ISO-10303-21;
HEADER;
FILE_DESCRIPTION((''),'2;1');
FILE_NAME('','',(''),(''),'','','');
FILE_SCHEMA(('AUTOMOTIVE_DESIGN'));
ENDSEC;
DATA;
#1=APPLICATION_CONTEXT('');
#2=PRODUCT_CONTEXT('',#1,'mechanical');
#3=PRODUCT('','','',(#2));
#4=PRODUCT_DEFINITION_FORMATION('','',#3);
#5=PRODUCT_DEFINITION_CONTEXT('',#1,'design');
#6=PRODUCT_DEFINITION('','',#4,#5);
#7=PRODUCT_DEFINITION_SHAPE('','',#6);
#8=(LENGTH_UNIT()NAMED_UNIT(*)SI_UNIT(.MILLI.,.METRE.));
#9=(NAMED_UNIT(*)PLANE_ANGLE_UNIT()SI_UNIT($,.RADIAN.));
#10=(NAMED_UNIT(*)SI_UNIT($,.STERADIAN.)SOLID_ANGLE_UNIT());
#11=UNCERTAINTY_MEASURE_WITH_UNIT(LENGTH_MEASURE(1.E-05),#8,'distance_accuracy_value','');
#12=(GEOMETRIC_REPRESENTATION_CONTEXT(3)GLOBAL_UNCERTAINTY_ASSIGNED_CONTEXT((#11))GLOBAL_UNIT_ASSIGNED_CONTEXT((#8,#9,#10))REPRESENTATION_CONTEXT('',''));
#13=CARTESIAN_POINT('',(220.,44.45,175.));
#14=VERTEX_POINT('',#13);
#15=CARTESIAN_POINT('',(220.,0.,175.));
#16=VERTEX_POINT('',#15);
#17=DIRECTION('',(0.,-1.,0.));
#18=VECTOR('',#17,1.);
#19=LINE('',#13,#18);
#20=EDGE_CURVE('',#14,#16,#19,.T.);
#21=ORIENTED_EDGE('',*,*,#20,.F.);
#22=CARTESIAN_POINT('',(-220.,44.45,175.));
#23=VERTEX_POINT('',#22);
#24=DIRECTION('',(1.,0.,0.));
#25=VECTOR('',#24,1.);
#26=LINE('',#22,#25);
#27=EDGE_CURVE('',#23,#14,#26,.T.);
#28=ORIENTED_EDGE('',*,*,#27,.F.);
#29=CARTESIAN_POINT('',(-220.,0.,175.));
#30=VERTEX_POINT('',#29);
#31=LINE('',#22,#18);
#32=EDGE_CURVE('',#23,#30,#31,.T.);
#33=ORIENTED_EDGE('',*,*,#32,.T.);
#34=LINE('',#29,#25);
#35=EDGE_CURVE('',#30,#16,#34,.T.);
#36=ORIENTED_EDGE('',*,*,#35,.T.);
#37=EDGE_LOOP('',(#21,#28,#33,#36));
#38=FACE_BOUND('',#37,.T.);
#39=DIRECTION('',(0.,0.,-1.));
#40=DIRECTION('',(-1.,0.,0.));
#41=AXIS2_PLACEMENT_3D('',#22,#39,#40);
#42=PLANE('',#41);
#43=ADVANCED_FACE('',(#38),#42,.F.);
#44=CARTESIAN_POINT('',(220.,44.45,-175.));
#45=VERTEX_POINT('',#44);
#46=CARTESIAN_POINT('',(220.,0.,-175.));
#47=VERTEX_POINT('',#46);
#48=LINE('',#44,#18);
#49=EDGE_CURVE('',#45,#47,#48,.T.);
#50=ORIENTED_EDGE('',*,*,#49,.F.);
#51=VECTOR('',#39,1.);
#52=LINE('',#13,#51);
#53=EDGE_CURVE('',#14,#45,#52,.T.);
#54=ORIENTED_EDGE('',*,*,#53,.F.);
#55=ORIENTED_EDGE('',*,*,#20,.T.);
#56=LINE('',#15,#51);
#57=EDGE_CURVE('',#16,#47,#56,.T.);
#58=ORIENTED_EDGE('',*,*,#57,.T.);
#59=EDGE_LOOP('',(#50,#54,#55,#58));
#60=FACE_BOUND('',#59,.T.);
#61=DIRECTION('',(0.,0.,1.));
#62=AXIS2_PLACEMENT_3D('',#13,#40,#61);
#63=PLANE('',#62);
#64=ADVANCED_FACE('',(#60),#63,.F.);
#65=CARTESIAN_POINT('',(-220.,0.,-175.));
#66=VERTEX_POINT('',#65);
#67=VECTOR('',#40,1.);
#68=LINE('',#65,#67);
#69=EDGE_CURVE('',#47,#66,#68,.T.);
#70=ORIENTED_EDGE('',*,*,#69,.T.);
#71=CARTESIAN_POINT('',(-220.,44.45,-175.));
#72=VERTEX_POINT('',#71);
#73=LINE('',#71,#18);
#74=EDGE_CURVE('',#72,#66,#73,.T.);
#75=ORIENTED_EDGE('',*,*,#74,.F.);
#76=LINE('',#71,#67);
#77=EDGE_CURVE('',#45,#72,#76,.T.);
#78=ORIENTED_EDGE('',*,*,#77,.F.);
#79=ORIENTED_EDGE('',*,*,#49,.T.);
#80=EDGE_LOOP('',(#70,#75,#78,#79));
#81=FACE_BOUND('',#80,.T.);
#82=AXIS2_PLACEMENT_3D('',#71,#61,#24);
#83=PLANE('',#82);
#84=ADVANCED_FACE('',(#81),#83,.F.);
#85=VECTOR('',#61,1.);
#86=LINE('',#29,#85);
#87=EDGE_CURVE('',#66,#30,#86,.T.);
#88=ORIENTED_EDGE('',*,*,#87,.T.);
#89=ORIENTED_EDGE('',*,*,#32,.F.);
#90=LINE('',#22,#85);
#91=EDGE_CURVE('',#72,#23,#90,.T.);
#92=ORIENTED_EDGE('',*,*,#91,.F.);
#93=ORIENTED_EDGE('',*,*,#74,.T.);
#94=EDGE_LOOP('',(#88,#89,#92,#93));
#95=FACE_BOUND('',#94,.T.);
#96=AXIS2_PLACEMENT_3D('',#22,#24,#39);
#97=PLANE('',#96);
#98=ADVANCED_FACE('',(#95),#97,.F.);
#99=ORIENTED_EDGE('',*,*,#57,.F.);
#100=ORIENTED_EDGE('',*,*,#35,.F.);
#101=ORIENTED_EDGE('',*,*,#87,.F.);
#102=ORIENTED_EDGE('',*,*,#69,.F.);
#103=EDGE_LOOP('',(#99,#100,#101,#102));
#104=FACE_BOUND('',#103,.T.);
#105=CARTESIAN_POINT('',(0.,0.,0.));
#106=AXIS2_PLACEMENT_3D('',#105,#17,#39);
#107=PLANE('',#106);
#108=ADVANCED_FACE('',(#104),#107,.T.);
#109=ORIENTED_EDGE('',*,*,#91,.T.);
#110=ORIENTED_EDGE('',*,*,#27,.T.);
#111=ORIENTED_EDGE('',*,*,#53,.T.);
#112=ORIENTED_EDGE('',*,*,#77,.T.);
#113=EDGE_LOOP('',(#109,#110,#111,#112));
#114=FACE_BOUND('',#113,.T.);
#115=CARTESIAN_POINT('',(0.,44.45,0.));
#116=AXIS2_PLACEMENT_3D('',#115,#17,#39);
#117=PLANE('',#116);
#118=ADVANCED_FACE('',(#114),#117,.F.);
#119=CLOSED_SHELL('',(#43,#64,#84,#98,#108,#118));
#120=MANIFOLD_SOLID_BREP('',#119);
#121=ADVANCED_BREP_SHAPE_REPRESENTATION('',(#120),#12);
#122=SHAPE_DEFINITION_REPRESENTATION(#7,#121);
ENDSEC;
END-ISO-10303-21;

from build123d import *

# Parameters (mm, degrees)
SKETCH1_W           = 440
SKETCH1_H           = 350
BOSS_EXTRUDE1_DEPTH = 44.45


with BuildPart() as part:
    # Sketch1 → Boss-Extrude1 (new body)
    with BuildSketch(Plane(origin=(0, 0, 0), x_dir=(1, 0, 0), z_dir=(0, 1, 0))):
        Rectangle(SKETCH1_W, SKETCH1_H)
    extrude(amount=BOSS_EXTRUDE1_DEPTH)


solid = part.part
